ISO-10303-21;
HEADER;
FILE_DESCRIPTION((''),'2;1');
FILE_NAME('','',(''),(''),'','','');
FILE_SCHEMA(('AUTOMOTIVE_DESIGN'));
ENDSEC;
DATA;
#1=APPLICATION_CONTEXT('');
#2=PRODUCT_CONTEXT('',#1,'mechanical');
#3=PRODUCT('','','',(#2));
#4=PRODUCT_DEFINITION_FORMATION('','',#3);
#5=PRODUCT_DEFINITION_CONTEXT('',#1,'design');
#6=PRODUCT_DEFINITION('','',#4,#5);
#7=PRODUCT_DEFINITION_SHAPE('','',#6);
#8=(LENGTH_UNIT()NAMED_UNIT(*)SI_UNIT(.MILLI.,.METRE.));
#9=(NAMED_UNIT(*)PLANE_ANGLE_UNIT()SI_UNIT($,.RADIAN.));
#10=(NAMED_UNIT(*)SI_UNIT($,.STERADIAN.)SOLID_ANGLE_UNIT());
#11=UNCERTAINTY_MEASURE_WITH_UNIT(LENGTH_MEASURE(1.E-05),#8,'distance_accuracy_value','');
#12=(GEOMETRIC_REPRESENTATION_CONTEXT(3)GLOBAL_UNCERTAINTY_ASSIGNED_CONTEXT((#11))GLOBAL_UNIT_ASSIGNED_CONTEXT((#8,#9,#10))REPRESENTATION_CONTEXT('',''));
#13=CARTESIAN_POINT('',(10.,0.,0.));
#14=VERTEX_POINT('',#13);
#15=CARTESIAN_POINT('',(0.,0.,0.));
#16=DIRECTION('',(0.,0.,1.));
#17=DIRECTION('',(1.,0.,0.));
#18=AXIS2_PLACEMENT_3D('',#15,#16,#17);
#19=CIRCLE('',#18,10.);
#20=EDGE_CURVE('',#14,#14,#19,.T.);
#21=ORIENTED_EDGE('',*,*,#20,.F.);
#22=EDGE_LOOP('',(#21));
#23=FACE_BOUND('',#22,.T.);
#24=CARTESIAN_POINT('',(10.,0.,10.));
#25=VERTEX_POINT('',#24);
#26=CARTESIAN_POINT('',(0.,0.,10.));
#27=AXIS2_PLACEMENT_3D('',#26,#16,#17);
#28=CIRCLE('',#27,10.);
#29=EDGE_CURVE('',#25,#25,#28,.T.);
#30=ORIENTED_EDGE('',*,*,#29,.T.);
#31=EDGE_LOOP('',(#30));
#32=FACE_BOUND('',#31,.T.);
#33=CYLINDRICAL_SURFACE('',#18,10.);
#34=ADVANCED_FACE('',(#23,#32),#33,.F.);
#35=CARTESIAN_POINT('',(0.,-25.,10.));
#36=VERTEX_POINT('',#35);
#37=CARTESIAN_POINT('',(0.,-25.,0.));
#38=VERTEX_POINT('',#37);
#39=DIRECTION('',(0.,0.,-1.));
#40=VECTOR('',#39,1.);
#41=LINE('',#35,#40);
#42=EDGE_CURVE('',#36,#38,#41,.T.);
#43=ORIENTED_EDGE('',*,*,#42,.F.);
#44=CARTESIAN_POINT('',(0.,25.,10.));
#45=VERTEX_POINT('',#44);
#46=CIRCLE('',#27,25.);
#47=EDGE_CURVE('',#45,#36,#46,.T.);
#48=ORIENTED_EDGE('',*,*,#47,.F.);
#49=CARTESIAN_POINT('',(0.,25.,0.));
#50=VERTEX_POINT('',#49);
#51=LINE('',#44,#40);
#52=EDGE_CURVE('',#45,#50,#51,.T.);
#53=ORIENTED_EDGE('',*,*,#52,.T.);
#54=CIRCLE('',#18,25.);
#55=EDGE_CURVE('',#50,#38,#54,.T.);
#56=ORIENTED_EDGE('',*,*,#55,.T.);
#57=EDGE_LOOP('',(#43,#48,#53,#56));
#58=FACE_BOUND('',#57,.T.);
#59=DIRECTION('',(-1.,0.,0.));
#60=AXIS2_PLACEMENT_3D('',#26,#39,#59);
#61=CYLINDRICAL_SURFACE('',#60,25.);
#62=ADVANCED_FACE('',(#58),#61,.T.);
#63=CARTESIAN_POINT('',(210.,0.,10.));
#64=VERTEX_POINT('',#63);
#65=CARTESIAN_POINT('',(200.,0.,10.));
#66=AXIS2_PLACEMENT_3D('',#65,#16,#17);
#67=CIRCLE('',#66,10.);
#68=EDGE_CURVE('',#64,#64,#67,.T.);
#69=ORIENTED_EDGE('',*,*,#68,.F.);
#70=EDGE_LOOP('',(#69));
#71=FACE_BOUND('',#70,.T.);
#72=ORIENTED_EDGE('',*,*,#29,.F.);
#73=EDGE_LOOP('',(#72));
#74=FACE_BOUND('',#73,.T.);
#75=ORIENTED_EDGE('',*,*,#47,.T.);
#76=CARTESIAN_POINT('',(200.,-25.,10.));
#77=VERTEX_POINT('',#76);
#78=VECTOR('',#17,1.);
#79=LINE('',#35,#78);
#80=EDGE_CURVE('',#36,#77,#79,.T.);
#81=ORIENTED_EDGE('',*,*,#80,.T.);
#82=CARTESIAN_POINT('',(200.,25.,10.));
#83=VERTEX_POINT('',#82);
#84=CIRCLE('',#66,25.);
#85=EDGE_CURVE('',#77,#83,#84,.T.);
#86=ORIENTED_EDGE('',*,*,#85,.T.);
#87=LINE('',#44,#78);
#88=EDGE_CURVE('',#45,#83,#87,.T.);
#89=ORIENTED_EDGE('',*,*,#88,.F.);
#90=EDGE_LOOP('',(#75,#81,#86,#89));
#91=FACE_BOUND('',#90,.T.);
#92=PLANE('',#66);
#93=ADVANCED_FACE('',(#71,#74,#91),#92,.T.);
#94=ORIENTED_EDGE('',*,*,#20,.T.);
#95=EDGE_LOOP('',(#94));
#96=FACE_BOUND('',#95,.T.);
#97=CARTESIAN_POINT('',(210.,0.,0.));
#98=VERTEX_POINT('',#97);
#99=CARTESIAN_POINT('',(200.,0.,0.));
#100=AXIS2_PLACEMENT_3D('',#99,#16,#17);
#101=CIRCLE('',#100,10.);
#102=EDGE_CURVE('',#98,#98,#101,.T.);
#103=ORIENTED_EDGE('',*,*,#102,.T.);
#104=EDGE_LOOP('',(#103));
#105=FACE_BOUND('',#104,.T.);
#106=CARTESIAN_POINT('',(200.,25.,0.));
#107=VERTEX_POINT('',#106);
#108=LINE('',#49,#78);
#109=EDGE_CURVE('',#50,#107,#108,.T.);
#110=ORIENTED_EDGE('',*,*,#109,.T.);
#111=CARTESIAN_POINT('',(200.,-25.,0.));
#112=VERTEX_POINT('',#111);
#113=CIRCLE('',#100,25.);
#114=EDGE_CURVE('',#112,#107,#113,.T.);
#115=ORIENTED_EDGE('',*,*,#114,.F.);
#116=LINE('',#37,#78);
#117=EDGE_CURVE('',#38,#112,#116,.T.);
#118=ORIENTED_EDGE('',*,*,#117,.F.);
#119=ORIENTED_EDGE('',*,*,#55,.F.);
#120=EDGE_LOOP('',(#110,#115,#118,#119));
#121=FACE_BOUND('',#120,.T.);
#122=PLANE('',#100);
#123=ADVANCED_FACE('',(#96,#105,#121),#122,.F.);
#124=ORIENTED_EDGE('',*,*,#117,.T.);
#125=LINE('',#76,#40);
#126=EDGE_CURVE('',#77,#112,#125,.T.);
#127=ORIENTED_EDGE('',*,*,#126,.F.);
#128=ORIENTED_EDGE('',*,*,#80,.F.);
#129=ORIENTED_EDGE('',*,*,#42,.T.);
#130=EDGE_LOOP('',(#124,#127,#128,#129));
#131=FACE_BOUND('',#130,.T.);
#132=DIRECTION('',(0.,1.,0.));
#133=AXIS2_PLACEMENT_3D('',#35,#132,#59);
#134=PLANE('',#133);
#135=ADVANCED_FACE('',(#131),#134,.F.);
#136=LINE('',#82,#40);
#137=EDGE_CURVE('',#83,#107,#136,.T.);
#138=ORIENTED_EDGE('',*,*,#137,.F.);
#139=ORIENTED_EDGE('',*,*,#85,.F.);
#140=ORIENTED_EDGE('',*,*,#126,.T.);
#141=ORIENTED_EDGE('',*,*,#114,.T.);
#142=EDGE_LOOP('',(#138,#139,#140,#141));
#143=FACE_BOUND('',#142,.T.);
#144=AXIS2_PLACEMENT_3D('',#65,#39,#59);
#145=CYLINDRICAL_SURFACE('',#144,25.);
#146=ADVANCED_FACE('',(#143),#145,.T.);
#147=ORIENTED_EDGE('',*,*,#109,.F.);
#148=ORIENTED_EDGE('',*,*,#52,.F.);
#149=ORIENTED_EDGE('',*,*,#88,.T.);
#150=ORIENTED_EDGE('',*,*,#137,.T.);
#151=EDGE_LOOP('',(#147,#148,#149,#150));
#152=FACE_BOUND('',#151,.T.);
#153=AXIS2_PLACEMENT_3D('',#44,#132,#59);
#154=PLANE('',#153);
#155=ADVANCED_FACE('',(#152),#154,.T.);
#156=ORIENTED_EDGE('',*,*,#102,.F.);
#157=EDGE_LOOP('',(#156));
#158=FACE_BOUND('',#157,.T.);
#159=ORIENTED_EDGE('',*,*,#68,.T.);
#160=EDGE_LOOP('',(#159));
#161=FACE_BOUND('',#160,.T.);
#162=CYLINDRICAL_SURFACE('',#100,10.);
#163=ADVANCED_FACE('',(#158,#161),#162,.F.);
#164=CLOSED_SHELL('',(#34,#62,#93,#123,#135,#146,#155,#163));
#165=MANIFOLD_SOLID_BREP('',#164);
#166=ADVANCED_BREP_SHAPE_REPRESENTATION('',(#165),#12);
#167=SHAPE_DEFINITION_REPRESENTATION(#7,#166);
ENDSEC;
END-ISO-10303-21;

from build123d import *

# Parameters (mm, degrees)
EXTRUDE_2_DEPTH     = 10
SKETCH_2_R          = 10
CUT_EXTRUDE_2_DEPTH = 10


with BuildPart() as part:
    # Эскиз1 → Бобышка-Вытянуть2 (new body)
    with BuildSketch(Plane.XY):
        with BuildLine():
            Line((0, 25), (200, 25))
            ThreePointArc((200, 25), (225, 0), (200, -25))
            Line((200, -25), (0, -25))
            ThreePointArc((0, -25), (-25, 0), (0, 25))
        make_face()
    extrude(amount=EXTRUDE_2_DEPTH)

    # Эскиз2 → Вырез-Вытянуть2 (cut)
    with BuildSketch(Plane.XY.offset(10)):
        Circle(SKETCH_2_R)
        with Locations((200, 0)):
            Circle(SKETCH_2_R)
    extrude(amount=-CUT_EXTRUDE_2_DEPTH, mode=Mode.SUBTRACT)


solid = part.part
